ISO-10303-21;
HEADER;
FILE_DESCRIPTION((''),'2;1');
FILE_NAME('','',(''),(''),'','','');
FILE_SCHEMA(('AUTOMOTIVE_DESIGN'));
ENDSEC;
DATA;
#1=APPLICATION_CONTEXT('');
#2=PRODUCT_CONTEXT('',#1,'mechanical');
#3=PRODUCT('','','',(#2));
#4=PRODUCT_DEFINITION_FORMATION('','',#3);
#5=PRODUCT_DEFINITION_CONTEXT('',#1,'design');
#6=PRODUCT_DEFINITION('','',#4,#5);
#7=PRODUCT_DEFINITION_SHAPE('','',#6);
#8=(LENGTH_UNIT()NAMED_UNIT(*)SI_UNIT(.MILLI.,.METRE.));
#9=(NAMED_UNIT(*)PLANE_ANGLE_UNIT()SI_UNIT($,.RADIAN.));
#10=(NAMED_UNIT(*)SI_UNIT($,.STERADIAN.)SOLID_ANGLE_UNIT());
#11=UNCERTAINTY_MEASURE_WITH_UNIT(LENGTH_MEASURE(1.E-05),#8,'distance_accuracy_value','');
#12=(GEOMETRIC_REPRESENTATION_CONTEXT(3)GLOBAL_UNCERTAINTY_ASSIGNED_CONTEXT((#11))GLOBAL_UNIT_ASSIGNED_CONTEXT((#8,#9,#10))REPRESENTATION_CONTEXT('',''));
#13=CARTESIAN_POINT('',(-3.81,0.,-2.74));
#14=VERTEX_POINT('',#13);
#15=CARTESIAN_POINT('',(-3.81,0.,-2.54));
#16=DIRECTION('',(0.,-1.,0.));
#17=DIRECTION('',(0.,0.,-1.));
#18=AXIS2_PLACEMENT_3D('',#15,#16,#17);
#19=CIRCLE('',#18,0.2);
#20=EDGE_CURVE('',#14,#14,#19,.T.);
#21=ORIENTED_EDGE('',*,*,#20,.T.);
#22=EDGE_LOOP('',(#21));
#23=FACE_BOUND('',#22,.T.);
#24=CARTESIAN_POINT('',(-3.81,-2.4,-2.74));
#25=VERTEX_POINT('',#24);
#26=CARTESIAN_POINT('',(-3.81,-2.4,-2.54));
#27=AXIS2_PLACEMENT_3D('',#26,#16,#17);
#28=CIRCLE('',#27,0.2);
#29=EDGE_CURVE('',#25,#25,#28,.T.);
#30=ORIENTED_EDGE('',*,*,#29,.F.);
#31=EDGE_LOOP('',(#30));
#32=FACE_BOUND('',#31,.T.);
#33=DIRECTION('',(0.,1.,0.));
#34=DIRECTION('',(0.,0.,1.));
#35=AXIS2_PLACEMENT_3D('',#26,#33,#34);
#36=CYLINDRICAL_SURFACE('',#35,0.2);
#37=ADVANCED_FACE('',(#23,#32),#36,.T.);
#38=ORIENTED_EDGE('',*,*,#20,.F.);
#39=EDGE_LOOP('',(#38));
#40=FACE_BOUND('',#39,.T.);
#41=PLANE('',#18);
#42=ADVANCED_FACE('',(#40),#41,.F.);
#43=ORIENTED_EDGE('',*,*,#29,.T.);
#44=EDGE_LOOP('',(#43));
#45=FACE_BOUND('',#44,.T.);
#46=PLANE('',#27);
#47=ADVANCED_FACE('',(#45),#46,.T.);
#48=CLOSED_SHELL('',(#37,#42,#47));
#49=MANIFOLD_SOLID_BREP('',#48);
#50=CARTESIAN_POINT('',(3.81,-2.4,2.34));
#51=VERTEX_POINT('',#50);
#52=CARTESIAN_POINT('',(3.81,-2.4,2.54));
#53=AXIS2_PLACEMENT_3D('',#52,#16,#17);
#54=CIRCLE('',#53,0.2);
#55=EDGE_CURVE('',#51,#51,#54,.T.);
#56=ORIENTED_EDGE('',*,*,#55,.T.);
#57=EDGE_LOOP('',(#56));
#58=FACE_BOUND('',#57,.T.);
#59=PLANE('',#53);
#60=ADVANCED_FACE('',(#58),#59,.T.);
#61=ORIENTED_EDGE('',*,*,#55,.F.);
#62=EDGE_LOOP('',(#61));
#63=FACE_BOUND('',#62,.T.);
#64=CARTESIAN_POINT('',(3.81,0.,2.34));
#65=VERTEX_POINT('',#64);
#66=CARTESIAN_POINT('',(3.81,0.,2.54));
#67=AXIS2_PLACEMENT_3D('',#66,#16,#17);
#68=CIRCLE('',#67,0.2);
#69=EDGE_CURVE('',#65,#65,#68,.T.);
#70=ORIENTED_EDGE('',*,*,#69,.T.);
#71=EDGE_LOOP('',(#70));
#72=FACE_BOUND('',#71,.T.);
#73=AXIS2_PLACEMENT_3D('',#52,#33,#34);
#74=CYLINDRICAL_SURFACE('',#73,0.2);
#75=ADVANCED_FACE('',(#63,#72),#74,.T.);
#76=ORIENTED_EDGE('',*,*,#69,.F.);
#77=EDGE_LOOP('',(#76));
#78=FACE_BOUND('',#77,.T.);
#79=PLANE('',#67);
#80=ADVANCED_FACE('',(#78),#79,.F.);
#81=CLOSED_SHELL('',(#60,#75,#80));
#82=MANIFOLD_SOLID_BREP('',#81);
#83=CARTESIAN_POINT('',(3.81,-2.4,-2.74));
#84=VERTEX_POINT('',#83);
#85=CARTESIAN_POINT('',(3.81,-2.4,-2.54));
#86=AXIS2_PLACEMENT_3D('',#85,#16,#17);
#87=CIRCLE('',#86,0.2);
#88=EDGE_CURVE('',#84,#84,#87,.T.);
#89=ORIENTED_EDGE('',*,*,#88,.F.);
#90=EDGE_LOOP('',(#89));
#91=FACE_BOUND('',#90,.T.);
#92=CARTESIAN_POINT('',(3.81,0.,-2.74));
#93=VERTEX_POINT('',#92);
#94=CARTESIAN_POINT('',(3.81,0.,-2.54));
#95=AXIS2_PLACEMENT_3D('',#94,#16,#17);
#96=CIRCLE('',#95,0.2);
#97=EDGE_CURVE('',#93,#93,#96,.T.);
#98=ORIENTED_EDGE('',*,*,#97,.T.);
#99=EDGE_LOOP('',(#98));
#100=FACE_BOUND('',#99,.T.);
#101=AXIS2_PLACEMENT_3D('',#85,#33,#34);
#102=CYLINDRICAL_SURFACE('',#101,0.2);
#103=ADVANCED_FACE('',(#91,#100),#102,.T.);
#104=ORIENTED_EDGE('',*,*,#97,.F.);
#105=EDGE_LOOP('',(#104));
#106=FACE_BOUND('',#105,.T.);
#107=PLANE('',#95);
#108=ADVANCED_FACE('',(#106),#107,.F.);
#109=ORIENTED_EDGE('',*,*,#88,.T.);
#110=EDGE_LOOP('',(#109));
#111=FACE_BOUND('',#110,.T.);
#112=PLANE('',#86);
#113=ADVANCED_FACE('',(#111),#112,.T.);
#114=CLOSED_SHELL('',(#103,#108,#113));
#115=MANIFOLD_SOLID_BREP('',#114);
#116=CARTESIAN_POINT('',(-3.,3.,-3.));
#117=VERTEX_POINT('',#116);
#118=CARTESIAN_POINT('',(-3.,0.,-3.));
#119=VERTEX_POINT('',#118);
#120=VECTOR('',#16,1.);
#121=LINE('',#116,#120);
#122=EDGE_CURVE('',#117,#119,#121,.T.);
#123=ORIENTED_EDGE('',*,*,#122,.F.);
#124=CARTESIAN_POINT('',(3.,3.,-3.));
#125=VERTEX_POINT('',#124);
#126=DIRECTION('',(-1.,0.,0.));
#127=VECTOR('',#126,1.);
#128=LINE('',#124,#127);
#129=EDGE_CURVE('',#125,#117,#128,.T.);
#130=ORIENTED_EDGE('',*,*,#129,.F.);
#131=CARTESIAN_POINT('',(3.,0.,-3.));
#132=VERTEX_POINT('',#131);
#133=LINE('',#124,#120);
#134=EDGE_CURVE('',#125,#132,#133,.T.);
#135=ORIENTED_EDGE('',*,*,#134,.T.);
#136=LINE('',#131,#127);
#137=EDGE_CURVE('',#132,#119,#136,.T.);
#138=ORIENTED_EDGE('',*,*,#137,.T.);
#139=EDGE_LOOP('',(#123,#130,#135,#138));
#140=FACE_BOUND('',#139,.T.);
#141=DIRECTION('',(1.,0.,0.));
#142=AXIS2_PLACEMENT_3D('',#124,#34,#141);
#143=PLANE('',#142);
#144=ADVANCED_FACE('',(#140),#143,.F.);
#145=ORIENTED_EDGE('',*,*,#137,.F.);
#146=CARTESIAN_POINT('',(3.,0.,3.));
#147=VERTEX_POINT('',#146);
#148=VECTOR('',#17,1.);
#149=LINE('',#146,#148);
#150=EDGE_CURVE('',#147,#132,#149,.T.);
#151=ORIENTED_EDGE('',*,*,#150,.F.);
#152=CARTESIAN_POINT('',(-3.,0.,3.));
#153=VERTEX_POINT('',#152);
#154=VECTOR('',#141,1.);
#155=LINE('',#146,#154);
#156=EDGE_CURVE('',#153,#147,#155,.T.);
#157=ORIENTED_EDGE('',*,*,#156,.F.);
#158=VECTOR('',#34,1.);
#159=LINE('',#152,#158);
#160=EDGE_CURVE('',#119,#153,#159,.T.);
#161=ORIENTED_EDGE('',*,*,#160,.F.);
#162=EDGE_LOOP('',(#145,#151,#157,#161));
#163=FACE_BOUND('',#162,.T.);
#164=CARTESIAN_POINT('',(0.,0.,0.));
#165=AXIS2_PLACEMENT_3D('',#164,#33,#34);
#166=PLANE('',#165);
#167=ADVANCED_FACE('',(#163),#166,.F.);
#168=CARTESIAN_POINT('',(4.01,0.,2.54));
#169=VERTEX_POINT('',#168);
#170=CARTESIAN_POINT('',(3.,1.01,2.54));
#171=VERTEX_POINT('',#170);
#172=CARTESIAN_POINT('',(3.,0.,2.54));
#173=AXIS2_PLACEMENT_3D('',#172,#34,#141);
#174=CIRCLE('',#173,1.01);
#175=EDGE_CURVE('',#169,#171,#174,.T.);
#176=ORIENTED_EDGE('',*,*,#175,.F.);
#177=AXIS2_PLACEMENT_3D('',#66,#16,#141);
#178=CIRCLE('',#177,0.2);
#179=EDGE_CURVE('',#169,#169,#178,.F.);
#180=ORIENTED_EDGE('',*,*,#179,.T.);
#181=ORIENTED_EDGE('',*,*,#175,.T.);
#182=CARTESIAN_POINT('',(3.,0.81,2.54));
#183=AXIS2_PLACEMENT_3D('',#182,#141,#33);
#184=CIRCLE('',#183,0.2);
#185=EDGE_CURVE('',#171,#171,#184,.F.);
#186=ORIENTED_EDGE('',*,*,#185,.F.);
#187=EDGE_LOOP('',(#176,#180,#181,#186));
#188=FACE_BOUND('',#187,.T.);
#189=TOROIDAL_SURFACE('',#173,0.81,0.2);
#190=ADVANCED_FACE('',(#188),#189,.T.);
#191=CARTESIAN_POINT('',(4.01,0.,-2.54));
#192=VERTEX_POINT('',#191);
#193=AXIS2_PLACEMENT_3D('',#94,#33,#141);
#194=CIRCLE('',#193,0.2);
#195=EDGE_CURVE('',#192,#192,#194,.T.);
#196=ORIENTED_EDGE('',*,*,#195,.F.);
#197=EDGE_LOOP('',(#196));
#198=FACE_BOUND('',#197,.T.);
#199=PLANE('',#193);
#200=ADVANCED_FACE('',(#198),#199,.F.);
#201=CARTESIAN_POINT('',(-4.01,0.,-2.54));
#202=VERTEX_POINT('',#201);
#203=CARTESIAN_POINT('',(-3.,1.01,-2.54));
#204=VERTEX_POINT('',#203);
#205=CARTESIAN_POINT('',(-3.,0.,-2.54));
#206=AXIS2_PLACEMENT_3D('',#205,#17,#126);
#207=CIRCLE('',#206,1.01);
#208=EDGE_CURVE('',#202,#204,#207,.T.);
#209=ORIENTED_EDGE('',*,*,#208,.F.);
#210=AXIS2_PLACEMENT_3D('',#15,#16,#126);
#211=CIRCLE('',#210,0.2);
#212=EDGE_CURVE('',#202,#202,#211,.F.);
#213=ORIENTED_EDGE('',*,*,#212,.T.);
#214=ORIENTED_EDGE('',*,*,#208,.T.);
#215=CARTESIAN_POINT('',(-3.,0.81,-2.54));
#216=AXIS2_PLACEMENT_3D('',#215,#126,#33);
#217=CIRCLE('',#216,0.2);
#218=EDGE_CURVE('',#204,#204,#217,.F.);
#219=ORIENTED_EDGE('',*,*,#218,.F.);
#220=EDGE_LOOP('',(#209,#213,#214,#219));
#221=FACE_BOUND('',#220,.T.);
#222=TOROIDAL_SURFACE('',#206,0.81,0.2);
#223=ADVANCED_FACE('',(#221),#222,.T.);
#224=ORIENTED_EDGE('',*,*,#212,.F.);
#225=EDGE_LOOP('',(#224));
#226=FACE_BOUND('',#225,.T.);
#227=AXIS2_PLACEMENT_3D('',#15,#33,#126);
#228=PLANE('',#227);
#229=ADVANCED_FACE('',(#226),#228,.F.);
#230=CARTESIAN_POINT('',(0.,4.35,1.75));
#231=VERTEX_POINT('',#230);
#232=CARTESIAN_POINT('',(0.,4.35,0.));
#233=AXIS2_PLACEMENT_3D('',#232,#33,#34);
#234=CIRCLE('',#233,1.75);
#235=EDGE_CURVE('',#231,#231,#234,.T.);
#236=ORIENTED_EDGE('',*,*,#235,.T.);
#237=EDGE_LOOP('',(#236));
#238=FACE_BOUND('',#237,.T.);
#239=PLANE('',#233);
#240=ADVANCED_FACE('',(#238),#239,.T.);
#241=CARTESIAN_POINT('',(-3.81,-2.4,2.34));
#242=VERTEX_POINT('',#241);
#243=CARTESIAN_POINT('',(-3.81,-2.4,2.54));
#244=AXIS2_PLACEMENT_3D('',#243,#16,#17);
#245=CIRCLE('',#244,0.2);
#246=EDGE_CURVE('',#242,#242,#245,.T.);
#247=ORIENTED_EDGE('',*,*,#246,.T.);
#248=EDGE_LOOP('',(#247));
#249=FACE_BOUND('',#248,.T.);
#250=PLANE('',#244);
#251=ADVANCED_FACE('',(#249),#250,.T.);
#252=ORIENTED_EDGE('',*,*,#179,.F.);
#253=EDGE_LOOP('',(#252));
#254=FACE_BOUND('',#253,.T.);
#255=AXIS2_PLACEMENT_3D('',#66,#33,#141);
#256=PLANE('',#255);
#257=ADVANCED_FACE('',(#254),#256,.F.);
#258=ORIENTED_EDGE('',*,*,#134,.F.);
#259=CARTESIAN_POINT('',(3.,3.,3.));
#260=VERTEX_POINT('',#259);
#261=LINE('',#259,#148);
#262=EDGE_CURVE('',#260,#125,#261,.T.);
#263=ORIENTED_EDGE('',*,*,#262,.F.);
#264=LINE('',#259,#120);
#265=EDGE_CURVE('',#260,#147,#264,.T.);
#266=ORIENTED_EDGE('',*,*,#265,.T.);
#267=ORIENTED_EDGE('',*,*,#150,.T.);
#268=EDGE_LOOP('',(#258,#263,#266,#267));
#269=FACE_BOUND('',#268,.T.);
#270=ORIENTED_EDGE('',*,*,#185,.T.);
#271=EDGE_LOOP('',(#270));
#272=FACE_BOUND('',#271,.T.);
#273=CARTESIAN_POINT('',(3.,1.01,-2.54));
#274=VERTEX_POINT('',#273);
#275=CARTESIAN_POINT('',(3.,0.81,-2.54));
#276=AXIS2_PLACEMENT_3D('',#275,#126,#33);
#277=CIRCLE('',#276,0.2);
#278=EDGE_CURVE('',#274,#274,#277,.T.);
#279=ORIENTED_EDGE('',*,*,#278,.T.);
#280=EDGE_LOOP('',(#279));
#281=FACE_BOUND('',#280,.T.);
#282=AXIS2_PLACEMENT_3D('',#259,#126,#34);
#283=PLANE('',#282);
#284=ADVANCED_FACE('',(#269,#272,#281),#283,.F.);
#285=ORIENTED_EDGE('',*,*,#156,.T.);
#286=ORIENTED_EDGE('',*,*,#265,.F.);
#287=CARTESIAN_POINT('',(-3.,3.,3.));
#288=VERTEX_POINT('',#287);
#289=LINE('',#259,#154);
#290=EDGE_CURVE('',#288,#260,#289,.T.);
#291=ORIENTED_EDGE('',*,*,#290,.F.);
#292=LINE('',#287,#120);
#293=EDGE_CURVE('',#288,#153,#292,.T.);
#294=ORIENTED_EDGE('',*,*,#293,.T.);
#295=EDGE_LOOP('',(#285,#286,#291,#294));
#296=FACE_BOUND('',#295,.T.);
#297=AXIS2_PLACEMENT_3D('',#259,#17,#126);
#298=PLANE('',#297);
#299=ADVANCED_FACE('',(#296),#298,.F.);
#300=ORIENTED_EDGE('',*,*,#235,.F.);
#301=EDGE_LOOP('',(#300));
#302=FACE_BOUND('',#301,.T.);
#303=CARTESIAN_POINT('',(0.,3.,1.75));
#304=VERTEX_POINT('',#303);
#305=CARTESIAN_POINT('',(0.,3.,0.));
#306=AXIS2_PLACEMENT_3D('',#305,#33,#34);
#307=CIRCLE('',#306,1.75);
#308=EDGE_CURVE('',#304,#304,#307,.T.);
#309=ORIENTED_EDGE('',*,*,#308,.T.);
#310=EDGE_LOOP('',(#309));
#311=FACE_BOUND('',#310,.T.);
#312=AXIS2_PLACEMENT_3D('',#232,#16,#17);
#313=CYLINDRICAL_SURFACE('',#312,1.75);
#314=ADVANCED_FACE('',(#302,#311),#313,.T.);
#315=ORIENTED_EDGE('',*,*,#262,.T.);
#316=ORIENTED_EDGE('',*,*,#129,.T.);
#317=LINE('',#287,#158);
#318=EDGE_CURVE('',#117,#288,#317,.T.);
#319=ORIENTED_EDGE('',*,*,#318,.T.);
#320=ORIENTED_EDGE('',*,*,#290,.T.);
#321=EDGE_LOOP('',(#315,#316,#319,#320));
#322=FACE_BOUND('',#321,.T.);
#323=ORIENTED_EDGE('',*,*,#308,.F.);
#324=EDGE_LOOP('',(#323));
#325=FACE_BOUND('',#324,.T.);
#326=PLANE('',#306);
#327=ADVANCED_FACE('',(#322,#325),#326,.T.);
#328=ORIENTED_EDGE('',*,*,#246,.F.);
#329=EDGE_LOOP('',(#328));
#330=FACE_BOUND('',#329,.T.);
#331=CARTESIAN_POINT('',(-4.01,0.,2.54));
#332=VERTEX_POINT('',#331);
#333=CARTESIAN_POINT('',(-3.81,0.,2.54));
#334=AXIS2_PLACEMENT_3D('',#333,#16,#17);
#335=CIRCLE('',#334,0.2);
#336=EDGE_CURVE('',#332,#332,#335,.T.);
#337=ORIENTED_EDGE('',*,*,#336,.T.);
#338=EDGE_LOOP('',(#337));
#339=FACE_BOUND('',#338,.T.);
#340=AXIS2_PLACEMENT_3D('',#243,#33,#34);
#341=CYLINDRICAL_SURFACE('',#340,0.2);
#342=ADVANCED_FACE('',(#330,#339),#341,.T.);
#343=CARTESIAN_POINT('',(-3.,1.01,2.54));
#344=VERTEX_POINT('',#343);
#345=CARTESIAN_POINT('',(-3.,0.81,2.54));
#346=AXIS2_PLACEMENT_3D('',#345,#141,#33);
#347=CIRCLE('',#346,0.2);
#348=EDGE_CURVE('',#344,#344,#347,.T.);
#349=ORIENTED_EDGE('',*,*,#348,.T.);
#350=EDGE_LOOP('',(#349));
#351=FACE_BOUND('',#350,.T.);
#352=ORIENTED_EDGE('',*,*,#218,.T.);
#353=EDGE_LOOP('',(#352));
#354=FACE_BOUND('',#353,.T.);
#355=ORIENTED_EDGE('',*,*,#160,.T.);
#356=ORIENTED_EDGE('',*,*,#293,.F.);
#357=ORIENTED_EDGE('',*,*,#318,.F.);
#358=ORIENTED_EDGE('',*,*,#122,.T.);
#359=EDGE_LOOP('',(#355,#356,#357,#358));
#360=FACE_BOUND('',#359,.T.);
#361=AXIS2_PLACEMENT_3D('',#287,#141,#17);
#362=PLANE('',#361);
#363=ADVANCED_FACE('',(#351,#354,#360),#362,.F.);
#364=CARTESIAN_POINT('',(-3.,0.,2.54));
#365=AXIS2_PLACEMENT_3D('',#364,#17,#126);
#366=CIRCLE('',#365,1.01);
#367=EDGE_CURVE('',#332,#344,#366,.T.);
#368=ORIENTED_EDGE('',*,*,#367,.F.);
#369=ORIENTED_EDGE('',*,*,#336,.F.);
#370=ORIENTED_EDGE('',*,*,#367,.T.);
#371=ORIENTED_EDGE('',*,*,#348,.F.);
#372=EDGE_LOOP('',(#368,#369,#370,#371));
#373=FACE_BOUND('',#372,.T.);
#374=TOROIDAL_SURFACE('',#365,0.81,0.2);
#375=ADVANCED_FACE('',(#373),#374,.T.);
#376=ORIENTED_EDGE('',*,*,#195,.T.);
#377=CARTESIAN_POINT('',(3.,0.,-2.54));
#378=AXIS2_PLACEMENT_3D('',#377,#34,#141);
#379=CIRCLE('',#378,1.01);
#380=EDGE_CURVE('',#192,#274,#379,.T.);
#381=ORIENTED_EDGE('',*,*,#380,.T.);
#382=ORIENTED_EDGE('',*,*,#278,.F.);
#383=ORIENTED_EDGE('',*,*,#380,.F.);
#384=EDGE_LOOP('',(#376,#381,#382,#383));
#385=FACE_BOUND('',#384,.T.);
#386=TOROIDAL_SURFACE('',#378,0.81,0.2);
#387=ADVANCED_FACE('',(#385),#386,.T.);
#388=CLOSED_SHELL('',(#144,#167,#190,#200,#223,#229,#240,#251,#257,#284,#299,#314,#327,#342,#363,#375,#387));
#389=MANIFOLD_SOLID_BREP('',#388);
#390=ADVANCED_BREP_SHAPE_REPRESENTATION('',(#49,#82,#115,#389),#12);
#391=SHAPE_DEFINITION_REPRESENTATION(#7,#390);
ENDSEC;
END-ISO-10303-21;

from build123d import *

# Parameters (mm, degrees)
SKETCH1_W                                  = 6
SKETCH1_H                                  = 6
BOSS_EXTRUDE1_DEPTH                        = 3
SKETCH2_R                                  = 1.75
BOSS_EXTRUDE2_DEPTH                        = 1.35
SKETCH3_R                                  = 0.2
BOSS_EXTRUDE3_DEPTH                        = 2.4
BOSS_EXTRUDE3_2_DEPTH                      = 2.4
BOSS_EXTRUDE3_3_DEPTH                      = 2.4
BOSS_EXTRUDE3_4_DEPTH                      = 2.4
SWEEP1_PROFILE_R                           = 0.2
MIRROR1_AT_THE_SECOND_PLANE_COPY_1_SKETC_R = 0.2


with BuildPart() as part:
    # Sketch1 → Boss-Extrude1 (new body)
    with BuildSketch(Plane(origin=(0, 0, 0), x_dir=(1, 0, 0), z_dir=(0, 1, 0))):
        Rectangle(SKETCH1_W, SKETCH1_H)
    extrude(amount=BOSS_EXTRUDE1_DEPTH)

    # Sketch2 → Boss-Extrude2 (add)
    with BuildSketch(Plane(origin=(0, 3, 0), x_dir=(1, 0, 0), z_dir=(0, 1, 0))):
        Circle(SKETCH2_R)
    extrude(amount=BOSS_EXTRUDE2_DEPTH)



with BuildPart() as body_2:
    # Sketch3 → Boss-Extrude3 (new body)
    with BuildSketch(Plane.XZ):
        with Locations((-3.81, 2.54)):
            Circle(SKETCH3_R)
    extrude(amount=BOSS_EXTRUDE3_DEPTH)


with BuildPart() as body_3:
    # Sketch3 → Boss-Extrude3 2 (new body)
    with BuildSketch(Plane.XZ):
        with Locations((3.81, 2.54)):
            Circle(SKETCH3_R)
    extrude(amount=BOSS_EXTRUDE3_2_DEPTH)


with BuildPart() as body_4:
    # Sketch3 → Boss-Extrude3 3 (new body)
    with BuildSketch(Plane.XZ):
        with Locations((3.81, -2.54)):
            Circle(SKETCH3_R)
    extrude(amount=BOSS_EXTRUDE3_3_DEPTH)


with BuildPart() as body_5:
    # Sketch3 → Boss-Extrude3 4 (new body)
    with BuildSketch(Plane.XZ):
        with Locations((-3.81, -2.54)):
            Circle(SKETCH3_R)
    extrude(amount=BOSS_EXTRUDE3_4_DEPTH)


with BuildPart() as part_1:
    add(part.part)

    add(body_2.part)  # Sweep1 merges body 2
    # Sweep1: sweep along a path in Sketch4
    with BuildLine(Plane.XY.offset(2.54)) as sweep1_path:
        ThreePointArc((-3.81, 0), (-3.572756493, 0.572756493), (-3, 0.81))
    # Sweep1 profile (on start of the path) → Sweep1 (sweep)
    with BuildSketch(Plane(origin=(-3.81, 0, 2.54), x_dir=(1, 0, 0), z_dir=(0, 1, 0))):
        Circle(SWEEP1_PROFILE_R)
    sweep1 = sweep(path=sweep1_path.line)

    # Mirror1: Sweep1 across plane
    add(sweep1.mirror(Plane(origin=(0, 0, 0), x_dir=(0, 0, 1), z_dir=(1, 0, 0))))

    # Mirror1 at the second plane: Sweep1 across plane
    add(sweep1.mirror(Plane.XY))

    # Mirror1 at the second plane copy 1: sweep along a path in Mirror1 at the second plane copy 1 path
    with BuildLine(Plane(origin=(0, 0, -2.54), x_dir=(-1, 0, 0), z_dir=(0, 0, -1))) as mirror1_at_the_second_plane_copy_1_path:
        ThreePointArc((-3.81, 0), (-3.572756493, 0.572756493), (-3, 0.81))
    # Mirror1 at the second plane copy 1 sketc → Mirror1 at the second plane copy 1 (sweep)
    with BuildSketch(Plane(origin=(3.81, 0, -2.54), x_dir=(-1, 0, 0), z_dir=(0, 1, 0))):
        Circle(MIRROR1_AT_THE_SECOND_PLANE_COPY_1_SKETC_R)
    sweep(path=mirror1_at_the_second_plane_copy_1_path.line)


solid = Compound([body_3.part, body_4.part, body_5.part, part_1.part])
